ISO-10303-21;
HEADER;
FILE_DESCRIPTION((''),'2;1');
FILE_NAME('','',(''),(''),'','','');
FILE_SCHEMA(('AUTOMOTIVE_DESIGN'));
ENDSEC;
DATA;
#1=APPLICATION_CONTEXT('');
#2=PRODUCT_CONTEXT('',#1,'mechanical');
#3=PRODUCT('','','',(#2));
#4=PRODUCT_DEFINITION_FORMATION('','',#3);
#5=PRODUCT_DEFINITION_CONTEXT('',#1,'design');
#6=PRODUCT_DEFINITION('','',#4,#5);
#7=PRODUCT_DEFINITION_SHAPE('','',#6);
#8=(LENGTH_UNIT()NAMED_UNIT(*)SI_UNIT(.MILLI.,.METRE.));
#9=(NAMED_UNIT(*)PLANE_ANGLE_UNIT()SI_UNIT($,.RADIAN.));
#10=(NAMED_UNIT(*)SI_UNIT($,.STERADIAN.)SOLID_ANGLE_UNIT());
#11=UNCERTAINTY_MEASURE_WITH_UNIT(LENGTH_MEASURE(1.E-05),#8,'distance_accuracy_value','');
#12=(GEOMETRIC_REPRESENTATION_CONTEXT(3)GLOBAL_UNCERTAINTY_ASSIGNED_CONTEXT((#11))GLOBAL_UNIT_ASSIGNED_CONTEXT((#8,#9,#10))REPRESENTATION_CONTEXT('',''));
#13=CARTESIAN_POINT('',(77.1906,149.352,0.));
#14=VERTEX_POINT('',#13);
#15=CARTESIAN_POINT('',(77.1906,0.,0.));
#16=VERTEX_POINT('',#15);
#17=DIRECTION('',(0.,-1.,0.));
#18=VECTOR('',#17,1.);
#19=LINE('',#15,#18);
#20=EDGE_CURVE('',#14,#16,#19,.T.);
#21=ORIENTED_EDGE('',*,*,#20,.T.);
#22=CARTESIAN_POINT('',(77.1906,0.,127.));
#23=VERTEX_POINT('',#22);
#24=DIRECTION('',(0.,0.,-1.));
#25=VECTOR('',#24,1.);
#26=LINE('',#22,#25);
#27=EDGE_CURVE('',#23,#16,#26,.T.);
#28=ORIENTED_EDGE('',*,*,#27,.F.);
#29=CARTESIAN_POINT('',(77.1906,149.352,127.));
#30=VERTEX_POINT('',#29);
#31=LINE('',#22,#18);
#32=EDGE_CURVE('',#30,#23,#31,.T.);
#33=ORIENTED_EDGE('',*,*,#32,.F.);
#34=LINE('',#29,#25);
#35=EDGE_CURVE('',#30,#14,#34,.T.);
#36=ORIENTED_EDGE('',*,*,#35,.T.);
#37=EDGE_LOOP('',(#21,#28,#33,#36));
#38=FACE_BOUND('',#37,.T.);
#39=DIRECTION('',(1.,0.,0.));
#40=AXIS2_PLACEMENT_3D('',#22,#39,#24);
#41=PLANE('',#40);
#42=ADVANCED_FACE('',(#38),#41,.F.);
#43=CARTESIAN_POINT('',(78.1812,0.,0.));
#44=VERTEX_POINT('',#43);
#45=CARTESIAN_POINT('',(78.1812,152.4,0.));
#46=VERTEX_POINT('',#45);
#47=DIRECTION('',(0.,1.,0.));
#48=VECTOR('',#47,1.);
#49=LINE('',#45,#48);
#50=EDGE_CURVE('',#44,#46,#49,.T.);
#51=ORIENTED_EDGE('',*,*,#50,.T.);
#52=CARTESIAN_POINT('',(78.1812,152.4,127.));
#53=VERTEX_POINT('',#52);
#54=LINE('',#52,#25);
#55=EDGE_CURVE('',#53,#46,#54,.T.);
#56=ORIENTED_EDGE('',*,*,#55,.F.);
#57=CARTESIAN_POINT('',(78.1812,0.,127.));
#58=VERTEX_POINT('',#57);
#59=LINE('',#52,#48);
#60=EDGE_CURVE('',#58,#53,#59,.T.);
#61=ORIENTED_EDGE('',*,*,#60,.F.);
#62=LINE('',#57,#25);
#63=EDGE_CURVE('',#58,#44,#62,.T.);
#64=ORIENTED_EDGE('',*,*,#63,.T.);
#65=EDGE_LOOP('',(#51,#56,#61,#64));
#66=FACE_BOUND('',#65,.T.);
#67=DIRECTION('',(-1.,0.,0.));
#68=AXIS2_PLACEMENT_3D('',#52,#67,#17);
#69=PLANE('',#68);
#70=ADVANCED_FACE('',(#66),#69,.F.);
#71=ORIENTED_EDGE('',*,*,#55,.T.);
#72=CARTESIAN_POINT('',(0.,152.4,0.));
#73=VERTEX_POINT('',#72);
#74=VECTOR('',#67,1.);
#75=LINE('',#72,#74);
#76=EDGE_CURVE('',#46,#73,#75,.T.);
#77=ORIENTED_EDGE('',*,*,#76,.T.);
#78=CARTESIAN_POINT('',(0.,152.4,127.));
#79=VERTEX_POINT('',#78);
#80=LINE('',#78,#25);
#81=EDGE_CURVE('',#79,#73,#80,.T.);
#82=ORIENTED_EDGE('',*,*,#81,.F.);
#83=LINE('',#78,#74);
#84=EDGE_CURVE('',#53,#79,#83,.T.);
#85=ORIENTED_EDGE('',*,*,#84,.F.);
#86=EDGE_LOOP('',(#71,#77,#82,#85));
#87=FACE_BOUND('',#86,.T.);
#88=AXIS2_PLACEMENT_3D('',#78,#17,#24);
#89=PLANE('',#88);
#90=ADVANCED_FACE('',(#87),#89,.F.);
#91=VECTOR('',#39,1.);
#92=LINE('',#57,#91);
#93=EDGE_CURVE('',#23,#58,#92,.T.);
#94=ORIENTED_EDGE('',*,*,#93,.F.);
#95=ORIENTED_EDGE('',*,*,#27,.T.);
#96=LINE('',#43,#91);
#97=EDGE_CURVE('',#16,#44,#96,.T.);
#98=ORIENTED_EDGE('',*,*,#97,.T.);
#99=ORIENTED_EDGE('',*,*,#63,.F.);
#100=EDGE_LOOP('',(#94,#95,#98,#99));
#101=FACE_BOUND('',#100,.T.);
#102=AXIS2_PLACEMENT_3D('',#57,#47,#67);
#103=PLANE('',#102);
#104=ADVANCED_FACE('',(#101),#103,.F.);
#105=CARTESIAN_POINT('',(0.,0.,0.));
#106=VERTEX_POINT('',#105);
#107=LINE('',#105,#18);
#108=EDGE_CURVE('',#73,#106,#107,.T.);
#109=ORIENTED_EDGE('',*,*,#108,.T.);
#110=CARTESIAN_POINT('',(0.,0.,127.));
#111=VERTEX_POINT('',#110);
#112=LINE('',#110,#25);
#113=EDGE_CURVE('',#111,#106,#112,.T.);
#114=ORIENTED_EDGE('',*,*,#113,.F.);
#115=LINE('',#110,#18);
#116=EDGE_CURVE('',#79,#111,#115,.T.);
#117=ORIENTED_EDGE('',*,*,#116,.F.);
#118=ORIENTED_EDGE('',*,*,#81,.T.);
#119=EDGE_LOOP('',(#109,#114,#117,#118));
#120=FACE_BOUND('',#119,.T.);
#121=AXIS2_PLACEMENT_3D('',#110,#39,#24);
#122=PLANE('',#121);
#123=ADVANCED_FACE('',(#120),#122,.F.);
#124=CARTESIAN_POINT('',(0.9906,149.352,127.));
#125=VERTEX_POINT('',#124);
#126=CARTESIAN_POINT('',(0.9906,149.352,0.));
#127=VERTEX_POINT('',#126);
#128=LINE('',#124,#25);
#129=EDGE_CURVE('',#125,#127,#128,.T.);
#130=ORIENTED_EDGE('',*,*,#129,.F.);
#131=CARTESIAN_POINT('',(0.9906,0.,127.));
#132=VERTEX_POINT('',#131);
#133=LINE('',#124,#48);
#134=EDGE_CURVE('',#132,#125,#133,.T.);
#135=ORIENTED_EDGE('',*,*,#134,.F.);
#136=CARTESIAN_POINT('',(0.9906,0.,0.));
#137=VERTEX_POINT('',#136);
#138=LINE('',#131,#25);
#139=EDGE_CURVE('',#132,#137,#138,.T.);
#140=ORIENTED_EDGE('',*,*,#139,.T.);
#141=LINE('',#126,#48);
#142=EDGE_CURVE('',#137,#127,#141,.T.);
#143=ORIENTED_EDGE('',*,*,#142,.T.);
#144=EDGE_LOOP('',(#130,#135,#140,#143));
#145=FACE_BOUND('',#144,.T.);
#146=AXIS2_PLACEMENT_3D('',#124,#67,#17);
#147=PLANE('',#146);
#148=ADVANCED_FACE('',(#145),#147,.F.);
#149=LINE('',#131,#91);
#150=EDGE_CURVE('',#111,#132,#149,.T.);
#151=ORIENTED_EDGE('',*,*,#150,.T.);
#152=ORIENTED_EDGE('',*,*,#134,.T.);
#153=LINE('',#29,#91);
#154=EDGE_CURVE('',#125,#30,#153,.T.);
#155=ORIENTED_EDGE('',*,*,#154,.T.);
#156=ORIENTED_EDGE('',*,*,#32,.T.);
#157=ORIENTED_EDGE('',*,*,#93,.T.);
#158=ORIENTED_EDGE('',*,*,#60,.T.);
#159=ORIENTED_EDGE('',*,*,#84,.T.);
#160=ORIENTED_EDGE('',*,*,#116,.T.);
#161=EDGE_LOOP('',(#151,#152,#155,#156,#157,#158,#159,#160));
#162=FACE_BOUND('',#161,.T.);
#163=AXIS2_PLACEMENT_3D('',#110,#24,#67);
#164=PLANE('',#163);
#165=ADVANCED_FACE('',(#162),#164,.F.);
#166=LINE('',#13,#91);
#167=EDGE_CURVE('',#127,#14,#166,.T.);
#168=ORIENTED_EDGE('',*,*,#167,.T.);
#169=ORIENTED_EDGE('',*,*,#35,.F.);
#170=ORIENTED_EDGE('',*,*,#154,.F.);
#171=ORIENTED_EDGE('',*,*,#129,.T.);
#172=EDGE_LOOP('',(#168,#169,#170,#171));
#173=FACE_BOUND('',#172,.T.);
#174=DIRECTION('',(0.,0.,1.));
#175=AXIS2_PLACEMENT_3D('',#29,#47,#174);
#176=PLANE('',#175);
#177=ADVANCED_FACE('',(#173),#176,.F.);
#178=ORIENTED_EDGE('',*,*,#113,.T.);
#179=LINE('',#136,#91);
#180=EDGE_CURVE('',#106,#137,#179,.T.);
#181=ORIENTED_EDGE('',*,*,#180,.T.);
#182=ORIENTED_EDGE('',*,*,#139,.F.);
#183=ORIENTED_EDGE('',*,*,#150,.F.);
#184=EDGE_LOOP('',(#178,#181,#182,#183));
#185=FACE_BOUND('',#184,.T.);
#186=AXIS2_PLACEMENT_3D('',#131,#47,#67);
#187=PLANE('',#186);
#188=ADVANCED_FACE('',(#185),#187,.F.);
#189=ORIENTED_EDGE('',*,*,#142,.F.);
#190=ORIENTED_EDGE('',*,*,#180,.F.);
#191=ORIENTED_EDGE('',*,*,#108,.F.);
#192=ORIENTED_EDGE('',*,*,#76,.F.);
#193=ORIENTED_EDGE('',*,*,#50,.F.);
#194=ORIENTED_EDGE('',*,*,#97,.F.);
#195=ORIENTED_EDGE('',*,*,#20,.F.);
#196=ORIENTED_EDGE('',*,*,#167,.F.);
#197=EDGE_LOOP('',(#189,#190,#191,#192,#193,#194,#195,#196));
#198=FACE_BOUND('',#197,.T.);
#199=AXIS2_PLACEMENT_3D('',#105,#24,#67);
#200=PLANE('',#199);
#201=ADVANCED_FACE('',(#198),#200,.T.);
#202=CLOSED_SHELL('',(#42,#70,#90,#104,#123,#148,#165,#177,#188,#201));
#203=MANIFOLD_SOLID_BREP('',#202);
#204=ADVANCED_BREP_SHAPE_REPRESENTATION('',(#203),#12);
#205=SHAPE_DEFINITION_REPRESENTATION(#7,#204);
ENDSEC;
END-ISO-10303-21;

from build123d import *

# Parameters (mm, degrees)
BOSS_EXTRUDE2_DEPTH = 127


with BuildPart() as part:
    # Sketch1 → Boss-Extrude2 (new body)
    with BuildSketch(Plane.XY):
        Polygon((0, 0), (0, 152.4), (78.1812, 152.4), (78.1812, 0), (77.1906, 0), (77.1906, 149.352), (0.9906, 149.352), (0.9906, 0), align=None)
    extrude(amount=BOSS_EXTRUDE2_DEPTH)


solid = part.part
